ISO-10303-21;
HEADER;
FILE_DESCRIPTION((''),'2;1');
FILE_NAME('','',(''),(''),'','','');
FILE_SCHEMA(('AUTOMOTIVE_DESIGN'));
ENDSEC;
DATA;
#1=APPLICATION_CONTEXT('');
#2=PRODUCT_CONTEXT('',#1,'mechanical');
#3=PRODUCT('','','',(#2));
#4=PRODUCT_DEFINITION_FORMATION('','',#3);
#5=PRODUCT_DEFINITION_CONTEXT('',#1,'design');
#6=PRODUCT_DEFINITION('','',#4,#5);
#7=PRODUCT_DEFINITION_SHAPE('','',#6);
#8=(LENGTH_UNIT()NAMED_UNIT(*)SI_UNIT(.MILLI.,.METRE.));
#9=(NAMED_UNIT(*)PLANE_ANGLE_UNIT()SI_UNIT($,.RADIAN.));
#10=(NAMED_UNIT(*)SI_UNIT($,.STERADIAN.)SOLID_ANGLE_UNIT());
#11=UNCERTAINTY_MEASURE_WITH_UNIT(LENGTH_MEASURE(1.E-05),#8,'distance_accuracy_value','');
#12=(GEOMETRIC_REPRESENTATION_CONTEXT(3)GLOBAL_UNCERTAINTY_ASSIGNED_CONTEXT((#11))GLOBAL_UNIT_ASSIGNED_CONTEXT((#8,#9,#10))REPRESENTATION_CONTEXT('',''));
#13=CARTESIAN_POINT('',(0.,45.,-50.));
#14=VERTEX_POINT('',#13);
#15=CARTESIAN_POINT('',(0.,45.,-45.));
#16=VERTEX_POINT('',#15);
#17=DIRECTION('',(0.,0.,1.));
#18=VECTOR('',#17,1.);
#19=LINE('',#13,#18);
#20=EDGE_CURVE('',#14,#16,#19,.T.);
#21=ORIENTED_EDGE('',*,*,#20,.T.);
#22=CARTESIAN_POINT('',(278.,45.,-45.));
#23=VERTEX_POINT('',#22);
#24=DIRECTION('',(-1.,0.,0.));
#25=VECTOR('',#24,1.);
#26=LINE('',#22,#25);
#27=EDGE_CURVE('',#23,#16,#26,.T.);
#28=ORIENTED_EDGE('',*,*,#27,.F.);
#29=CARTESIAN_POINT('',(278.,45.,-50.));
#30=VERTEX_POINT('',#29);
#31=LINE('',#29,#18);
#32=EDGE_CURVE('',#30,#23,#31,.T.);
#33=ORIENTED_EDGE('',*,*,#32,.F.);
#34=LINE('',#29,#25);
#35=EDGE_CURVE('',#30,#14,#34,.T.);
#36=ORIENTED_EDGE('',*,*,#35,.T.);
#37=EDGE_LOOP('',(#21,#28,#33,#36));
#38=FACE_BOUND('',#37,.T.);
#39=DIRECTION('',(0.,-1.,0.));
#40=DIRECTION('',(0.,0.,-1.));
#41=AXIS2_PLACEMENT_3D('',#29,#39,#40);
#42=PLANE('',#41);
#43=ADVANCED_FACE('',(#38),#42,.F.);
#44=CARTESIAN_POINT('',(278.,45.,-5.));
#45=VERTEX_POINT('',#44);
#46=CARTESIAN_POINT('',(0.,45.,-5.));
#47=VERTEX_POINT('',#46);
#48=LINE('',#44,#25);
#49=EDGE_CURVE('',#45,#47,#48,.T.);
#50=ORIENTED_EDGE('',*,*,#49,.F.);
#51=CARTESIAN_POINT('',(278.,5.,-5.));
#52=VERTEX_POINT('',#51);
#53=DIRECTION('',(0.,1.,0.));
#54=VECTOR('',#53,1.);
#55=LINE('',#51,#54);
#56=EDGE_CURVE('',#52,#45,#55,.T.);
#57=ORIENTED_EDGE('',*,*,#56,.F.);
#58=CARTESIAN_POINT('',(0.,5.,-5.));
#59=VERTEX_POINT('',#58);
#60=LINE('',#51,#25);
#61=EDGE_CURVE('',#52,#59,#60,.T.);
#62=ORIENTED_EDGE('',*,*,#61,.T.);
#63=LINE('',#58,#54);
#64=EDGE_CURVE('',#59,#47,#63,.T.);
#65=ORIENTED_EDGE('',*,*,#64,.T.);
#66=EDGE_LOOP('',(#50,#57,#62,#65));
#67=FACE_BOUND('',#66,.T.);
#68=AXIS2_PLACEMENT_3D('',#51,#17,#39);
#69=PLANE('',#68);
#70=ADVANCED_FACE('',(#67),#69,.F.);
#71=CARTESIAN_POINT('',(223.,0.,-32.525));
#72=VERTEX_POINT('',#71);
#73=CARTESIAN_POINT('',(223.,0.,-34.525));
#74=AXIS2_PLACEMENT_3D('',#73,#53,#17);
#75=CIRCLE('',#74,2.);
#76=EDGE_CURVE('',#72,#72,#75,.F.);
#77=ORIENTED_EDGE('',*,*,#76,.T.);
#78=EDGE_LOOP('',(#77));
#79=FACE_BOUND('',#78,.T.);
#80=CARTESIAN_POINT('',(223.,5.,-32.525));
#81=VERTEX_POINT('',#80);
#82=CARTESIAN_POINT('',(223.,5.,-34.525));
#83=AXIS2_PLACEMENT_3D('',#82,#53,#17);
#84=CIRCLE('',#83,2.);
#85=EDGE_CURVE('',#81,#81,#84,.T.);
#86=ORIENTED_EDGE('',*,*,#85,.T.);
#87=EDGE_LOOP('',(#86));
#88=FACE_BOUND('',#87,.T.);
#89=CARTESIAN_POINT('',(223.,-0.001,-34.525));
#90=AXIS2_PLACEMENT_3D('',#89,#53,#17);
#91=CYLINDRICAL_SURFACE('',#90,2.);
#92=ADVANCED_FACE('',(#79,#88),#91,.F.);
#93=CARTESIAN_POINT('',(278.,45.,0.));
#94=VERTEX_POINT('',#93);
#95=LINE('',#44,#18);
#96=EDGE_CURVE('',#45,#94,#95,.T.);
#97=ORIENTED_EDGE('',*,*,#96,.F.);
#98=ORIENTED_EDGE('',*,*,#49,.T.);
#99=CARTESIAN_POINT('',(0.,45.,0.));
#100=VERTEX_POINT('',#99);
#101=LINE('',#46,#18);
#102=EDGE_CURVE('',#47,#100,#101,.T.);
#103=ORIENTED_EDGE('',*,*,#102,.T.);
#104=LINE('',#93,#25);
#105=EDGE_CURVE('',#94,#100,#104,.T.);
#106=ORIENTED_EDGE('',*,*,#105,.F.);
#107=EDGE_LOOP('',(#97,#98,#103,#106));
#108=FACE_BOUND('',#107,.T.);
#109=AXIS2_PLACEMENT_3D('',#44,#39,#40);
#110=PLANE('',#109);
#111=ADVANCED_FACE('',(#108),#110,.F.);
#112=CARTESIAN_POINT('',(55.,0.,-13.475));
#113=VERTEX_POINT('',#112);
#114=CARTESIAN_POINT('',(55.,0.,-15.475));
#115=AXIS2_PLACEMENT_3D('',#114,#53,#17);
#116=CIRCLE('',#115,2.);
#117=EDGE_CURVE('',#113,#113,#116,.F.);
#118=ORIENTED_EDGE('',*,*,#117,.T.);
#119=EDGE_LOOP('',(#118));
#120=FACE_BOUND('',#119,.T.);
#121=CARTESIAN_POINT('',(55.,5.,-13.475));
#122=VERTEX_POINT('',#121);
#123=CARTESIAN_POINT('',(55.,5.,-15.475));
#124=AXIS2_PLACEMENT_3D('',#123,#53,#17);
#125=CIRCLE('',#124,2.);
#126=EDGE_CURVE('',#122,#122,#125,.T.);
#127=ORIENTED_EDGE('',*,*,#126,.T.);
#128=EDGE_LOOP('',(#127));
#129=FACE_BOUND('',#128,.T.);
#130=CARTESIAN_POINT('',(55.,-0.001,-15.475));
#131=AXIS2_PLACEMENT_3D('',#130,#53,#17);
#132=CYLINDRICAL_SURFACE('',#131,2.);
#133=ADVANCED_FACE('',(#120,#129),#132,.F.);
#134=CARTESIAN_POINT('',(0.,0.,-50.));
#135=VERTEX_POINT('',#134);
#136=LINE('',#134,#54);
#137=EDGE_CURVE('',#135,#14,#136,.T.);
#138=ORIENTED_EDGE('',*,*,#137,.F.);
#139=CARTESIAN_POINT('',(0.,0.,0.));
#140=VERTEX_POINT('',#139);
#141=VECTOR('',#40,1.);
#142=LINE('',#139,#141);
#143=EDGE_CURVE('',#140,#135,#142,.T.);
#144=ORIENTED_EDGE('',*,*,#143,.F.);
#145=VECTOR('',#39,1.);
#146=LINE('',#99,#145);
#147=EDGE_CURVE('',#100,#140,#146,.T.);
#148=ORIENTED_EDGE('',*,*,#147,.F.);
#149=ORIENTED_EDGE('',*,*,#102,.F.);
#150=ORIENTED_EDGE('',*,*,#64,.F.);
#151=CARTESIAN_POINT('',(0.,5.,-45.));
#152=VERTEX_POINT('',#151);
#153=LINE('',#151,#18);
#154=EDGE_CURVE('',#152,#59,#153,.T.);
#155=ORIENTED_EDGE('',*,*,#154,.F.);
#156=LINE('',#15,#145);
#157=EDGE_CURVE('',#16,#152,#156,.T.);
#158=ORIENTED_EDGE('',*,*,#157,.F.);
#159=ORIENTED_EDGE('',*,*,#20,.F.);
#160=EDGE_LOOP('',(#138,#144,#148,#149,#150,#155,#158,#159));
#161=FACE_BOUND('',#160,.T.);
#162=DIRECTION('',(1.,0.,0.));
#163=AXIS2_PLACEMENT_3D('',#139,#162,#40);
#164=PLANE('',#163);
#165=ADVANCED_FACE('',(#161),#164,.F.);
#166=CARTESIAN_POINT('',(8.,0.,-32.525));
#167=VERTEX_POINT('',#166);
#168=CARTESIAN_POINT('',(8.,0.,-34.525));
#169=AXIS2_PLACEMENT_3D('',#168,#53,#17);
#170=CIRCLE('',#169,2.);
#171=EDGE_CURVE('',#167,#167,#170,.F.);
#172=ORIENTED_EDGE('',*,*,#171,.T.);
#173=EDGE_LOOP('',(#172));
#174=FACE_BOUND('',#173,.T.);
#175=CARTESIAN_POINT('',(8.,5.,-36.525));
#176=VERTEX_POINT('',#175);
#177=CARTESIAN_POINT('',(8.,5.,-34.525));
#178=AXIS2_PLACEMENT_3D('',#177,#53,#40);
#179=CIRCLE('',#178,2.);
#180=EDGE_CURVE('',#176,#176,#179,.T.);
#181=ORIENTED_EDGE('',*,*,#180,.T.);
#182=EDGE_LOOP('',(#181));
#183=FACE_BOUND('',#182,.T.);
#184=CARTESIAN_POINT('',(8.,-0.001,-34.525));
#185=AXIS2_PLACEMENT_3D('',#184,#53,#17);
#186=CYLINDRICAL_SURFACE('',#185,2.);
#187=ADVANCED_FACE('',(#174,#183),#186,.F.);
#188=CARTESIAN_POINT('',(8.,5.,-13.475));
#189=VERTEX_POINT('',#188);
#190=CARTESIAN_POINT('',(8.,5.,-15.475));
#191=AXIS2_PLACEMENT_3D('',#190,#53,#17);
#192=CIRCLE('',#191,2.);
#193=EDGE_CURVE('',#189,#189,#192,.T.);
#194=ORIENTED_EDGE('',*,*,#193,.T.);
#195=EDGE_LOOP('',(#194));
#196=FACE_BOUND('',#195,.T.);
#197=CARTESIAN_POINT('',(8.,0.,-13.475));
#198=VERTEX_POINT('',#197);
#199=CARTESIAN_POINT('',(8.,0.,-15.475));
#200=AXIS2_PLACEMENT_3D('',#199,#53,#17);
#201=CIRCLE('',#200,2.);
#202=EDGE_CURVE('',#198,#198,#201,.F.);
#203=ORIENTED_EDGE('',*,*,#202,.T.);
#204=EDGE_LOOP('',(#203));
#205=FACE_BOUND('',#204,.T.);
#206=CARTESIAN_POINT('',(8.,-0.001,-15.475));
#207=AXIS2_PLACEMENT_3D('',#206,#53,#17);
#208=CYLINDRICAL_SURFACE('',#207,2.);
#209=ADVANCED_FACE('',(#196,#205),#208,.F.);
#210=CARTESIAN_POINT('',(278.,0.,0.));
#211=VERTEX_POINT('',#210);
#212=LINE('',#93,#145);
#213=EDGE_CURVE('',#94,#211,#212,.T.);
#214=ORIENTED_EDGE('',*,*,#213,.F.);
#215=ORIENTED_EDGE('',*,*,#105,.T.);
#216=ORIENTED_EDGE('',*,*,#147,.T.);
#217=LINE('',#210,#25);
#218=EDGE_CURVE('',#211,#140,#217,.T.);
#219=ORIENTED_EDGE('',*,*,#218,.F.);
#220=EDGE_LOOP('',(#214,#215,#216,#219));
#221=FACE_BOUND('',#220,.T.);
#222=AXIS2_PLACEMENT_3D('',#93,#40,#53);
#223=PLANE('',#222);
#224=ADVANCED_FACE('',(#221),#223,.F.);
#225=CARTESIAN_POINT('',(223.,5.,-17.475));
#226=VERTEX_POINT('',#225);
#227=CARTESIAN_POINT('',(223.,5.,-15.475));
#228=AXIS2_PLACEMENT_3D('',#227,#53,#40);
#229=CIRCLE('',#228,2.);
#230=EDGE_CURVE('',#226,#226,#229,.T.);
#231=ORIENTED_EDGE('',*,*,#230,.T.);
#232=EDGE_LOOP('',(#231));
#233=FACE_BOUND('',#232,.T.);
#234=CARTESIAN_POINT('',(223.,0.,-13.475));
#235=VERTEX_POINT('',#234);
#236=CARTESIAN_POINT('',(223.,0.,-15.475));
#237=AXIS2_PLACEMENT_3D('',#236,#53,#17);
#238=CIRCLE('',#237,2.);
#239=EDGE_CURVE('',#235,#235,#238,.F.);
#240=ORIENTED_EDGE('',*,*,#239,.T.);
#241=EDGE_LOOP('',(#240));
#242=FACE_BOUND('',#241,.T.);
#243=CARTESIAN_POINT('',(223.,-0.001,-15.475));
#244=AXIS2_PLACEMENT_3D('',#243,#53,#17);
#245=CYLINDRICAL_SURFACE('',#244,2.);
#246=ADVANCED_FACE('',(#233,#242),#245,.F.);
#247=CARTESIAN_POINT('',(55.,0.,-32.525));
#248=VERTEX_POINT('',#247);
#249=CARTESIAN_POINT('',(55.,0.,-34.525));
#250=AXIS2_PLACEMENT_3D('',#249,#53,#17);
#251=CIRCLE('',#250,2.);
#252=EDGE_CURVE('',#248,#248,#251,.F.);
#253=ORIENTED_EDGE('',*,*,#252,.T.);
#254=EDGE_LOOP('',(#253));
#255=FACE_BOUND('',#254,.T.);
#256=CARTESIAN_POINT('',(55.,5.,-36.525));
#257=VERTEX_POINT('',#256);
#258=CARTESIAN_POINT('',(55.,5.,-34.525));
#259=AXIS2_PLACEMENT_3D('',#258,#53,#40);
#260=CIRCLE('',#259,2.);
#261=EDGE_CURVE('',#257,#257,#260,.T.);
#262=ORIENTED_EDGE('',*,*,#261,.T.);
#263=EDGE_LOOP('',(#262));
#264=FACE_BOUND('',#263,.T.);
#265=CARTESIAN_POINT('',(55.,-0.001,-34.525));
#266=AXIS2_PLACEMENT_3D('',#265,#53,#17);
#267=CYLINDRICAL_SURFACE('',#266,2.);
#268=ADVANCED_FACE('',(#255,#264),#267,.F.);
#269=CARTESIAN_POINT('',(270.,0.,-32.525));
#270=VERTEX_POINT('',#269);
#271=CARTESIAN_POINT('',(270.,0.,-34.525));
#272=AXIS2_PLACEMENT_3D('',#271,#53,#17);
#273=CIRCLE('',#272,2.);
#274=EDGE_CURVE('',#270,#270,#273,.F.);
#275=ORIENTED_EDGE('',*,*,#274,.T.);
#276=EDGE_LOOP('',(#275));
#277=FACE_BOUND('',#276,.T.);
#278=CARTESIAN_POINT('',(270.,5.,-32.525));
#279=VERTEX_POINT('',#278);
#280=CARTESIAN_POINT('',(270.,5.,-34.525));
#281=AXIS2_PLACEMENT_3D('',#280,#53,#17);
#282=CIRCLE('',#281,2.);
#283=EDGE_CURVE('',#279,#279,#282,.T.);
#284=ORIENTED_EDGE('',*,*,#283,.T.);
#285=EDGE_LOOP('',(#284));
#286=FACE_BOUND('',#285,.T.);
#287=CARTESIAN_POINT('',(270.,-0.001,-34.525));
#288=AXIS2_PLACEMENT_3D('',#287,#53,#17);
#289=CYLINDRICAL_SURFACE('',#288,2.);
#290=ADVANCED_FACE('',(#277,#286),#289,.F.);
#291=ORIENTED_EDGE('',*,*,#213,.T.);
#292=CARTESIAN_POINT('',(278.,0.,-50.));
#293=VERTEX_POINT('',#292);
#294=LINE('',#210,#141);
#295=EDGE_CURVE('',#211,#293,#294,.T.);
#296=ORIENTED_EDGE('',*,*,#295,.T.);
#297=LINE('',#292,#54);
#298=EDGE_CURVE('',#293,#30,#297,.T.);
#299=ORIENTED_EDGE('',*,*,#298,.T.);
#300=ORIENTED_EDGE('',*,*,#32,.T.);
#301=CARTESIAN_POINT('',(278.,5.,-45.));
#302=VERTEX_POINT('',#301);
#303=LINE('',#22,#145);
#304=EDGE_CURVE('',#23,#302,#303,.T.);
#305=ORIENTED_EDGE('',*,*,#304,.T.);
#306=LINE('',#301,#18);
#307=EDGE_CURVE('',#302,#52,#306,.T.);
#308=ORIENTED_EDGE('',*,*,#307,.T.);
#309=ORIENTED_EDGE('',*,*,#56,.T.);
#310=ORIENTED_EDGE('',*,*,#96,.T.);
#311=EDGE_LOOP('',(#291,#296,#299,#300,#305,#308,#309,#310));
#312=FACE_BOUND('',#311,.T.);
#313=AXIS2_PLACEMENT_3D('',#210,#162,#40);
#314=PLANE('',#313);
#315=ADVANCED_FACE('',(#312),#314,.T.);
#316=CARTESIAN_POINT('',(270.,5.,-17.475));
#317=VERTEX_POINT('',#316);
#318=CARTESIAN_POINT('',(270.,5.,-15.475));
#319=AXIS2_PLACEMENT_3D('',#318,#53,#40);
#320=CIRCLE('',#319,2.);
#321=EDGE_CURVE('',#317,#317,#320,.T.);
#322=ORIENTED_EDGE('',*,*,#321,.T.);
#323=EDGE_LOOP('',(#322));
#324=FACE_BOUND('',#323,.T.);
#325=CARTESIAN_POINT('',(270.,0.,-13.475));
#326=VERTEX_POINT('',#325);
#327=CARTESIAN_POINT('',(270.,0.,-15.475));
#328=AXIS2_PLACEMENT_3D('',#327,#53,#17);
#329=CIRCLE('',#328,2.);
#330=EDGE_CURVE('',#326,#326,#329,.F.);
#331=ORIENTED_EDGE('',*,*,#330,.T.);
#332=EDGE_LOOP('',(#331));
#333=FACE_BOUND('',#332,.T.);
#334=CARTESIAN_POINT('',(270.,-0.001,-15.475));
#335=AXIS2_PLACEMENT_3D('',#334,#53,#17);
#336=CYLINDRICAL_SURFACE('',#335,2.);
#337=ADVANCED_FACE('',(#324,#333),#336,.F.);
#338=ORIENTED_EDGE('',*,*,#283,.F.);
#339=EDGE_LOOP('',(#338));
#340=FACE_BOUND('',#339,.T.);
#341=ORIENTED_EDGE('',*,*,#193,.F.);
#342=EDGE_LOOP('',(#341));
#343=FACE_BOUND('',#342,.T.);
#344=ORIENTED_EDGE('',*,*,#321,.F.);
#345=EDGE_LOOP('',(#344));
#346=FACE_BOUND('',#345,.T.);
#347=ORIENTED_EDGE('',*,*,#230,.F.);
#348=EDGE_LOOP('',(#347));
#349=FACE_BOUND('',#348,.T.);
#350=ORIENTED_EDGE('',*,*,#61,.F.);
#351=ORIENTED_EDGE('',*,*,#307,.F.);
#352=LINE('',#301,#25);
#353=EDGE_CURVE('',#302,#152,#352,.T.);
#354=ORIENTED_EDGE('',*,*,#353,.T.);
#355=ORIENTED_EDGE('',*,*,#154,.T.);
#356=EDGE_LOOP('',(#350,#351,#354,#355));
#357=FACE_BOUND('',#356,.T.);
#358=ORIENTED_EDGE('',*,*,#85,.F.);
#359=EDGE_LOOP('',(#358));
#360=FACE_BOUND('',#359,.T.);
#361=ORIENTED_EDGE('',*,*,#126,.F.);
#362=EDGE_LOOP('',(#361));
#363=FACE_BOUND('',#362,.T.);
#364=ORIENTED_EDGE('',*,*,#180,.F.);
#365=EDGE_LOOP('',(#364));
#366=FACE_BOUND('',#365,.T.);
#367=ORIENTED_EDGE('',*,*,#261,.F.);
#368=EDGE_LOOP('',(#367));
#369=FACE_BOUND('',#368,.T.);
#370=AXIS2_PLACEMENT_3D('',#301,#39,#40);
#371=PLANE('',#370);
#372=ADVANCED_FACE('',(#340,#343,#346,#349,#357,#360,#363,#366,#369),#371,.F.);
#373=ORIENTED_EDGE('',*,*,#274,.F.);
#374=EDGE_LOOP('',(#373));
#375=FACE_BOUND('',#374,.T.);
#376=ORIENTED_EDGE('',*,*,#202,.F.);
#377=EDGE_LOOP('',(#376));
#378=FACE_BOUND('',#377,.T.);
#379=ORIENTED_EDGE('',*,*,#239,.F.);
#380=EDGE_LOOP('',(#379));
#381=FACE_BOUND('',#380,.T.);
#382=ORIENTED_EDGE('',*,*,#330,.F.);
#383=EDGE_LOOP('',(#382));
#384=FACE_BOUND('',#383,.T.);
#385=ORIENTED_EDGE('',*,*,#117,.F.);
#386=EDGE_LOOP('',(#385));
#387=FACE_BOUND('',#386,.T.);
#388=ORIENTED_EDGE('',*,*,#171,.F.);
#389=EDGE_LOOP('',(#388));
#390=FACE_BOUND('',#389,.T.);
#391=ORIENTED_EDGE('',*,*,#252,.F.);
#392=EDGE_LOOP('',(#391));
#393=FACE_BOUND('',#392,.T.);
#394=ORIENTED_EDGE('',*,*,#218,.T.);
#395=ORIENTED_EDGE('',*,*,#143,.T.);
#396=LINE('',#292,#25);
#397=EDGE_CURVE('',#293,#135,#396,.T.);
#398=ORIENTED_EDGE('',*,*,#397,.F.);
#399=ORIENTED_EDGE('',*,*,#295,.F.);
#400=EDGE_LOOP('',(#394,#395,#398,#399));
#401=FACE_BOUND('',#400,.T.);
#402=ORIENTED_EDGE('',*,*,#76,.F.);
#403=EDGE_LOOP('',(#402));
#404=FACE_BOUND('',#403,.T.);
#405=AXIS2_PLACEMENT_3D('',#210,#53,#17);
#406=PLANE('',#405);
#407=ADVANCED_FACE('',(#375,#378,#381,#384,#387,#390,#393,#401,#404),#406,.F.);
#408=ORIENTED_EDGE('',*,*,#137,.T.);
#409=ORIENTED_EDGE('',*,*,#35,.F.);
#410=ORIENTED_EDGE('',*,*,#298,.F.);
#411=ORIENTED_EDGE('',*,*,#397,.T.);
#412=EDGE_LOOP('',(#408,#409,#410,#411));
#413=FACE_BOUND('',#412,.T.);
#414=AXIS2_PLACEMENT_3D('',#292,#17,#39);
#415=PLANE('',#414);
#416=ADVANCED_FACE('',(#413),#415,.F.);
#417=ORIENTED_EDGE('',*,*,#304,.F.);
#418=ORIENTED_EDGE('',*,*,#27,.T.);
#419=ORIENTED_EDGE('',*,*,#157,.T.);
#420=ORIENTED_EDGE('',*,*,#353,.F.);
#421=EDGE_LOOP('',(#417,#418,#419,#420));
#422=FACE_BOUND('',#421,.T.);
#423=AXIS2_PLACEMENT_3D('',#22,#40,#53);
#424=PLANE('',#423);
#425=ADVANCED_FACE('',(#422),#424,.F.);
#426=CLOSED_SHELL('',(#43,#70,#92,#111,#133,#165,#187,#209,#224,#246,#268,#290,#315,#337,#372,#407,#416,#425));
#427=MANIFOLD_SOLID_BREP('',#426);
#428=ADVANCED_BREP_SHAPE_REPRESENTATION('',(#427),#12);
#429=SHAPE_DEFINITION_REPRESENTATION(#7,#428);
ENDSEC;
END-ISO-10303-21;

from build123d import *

# Parameters (mm, degrees)
BOSS_EXTRUDE1_DEPTH = 278
CUT_EXTRUDE3_REACH  = 287.279
SKETCH2_R           = 2


with BuildPart() as part:
    # Sketch1 → Boss-Extrude1 (new body)
    with BuildSketch(Plane(origin=(0, 0, 0), x_dir=(0, 0, -1), z_dir=(1, 0, 0))):
        Polygon((0, 0), (50, 0), (50, 45), (45, 45), (45, 5), (5, 5), (5, 45), (0, 45), align=None)
    extrude(amount=BOSS_EXTRUDE1_DEPTH)

    # Sketch2 → Cut-Extrude3 (cut, up to next)
    with BuildSketch(Plane(origin=(0, 5, 0), x_dir=(1, 0, 0), z_dir=(0, 1, 0)), mode=Mode.PRIVATE) as cut_extrude3_sk1:
        with Locations(Location((8, 15.475, 0), (0, 0, 270))):
            Circle(SKETCH2_R)
    cut_extrude3_tool1 = extrude(cut_extrude3_sk1.sketch, amount=-CUT_EXTRUDE3_REACH, mode=Mode.PRIVATE) & part.part
    # Sketch2 → Cut-Extrude3 (cut, up to next)
    with BuildSketch(Plane(origin=(0, 5, 0), x_dir=(1, 0, 0), z_dir=(0, 1, 0)), mode=Mode.PRIVATE) as cut_extrude3_sk2:
        with Locations(Location((55, 15.475, 0), (0, 0, 270))):
            Circle(SKETCH2_R)
    cut_extrude3_tool2 = extrude(cut_extrude3_sk2.sketch, amount=-CUT_EXTRUDE3_REACH, mode=Mode.PRIVATE) & part.part
    # Sketch2 → Cut-Extrude3 (cut, up to next)
    with BuildSketch(Plane(origin=(0, 5, 0), x_dir=(1, 0, 0), z_dir=(0, 1, 0)), mode=Mode.PRIVATE) as cut_extrude3_sk3:
        with Locations(Location((55, 34.525, 0), (0, 0, 270))):
            Circle(SKETCH2_R)
    cut_extrude3_tool3 = extrude(cut_extrude3_sk3.sketch, amount=-CUT_EXTRUDE3_REACH, mode=Mode.PRIVATE) & part.part
    # Sketch2 → Cut-Extrude3 (cut, up to next)
    with BuildSketch(Plane(origin=(0, 5, 0), x_dir=(1, 0, 0), z_dir=(0, 1, 0)), mode=Mode.PRIVATE) as cut_extrude3_sk4:
        with Locations(Location((8, 34.525, 0), (0, 0, 270))):
            Circle(SKETCH2_R)
    cut_extrude3_tool4 = extrude(cut_extrude3_sk4.sketch, amount=-CUT_EXTRUDE3_REACH, mode=Mode.PRIVATE) & part.part
    # Sketch2 → Cut-Extrude3 (cut, up to next)
    with BuildSketch(Plane(origin=(0, 5, 0), x_dir=(1, 0, 0), z_dir=(0, 1, 0)), mode=Mode.PRIVATE) as cut_extrude3_sk5:
        with Locations(Location((270, 34.525, 0), (0, 0, 270))):
            Circle(SKETCH2_R)
    cut_extrude3_tool5 = extrude(cut_extrude3_sk5.sketch, amount=-CUT_EXTRUDE3_REACH, mode=Mode.PRIVATE) & part.part
    # Sketch2 → Cut-Extrude3 (cut, up to next)
    with BuildSketch(Plane(origin=(0, 5, 0), x_dir=(1, 0, 0), z_dir=(0, 1, 0)), mode=Mode.PRIVATE) as cut_extrude3_sk6:
        with Locations(Location((223, 34.525, 0), (0, 0, 270))):
            Circle(SKETCH2_R)
    cut_extrude3_tool6 = extrude(cut_extrude3_sk6.sketch, amount=-CUT_EXTRUDE3_REACH, mode=Mode.PRIVATE) & part.part
    # Sketch2 → Cut-Extrude3 (cut, up to next)
    with BuildSketch(Plane(origin=(0, 5, 0), x_dir=(1, 0, 0), z_dir=(0, 1, 0)), mode=Mode.PRIVATE) as cut_extrude3_sk7:
        with Locations(Location((223, 15.475, 0), (0, 0, 270))):
            Circle(SKETCH2_R)
    cut_extrude3_tool7 = extrude(cut_extrude3_sk7.sketch, amount=-CUT_EXTRUDE3_REACH, mode=Mode.PRIVATE) & part.part
    # Sketch2 → Cut-Extrude3 (cut, up to next)
    with BuildSketch(Plane(origin=(0, 5, 0), x_dir=(1, 0, 0), z_dir=(0, 1, 0)), mode=Mode.PRIVATE) as cut_extrude3_sk8:
        with Locations(Location((270, 15.475, 0), (0, 0, 270))):
            Circle(SKETCH2_R)
    cut_extrude3_tool8 = extrude(cut_extrude3_sk8.sketch, amount=-CUT_EXTRUDE3_REACH, mode=Mode.PRIVATE) & part.part
    add(cut_extrude3_tool1.solids().sort_by_distance((8, 5, -15.475))[0], mode=Mode.SUBTRACT)
    add(cut_extrude3_tool2.solids().sort_by_distance((55, 5, -15.475))[0], mode=Mode.SUBTRACT)
    add(cut_extrude3_tool3.solids().sort_by_distance((55, 5, -34.525))[0], mode=Mode.SUBTRACT)
    add(cut_extrude3_tool4.solids().sort_by_distance((8, 5, -34.525))[0], mode=Mode.SUBTRACT)
    add(cut_extrude3_tool5.solids().sort_by_distance((270, 5, -34.525))[0], mode=Mode.SUBTRACT)
    add(cut_extrude3_tool6.solids().sort_by_distance((223, 5, -34.525))[0], mode=Mode.SUBTRACT)
    add(cut_extrude3_tool7.solids().sort_by_distance((223, 5, -15.475))[0], mode=Mode.SUBTRACT)
    add(cut_extrude3_tool8.solids().sort_by_distance((270, 5, -15.475))[0], mode=Mode.SUBTRACT)


solid = part.part
